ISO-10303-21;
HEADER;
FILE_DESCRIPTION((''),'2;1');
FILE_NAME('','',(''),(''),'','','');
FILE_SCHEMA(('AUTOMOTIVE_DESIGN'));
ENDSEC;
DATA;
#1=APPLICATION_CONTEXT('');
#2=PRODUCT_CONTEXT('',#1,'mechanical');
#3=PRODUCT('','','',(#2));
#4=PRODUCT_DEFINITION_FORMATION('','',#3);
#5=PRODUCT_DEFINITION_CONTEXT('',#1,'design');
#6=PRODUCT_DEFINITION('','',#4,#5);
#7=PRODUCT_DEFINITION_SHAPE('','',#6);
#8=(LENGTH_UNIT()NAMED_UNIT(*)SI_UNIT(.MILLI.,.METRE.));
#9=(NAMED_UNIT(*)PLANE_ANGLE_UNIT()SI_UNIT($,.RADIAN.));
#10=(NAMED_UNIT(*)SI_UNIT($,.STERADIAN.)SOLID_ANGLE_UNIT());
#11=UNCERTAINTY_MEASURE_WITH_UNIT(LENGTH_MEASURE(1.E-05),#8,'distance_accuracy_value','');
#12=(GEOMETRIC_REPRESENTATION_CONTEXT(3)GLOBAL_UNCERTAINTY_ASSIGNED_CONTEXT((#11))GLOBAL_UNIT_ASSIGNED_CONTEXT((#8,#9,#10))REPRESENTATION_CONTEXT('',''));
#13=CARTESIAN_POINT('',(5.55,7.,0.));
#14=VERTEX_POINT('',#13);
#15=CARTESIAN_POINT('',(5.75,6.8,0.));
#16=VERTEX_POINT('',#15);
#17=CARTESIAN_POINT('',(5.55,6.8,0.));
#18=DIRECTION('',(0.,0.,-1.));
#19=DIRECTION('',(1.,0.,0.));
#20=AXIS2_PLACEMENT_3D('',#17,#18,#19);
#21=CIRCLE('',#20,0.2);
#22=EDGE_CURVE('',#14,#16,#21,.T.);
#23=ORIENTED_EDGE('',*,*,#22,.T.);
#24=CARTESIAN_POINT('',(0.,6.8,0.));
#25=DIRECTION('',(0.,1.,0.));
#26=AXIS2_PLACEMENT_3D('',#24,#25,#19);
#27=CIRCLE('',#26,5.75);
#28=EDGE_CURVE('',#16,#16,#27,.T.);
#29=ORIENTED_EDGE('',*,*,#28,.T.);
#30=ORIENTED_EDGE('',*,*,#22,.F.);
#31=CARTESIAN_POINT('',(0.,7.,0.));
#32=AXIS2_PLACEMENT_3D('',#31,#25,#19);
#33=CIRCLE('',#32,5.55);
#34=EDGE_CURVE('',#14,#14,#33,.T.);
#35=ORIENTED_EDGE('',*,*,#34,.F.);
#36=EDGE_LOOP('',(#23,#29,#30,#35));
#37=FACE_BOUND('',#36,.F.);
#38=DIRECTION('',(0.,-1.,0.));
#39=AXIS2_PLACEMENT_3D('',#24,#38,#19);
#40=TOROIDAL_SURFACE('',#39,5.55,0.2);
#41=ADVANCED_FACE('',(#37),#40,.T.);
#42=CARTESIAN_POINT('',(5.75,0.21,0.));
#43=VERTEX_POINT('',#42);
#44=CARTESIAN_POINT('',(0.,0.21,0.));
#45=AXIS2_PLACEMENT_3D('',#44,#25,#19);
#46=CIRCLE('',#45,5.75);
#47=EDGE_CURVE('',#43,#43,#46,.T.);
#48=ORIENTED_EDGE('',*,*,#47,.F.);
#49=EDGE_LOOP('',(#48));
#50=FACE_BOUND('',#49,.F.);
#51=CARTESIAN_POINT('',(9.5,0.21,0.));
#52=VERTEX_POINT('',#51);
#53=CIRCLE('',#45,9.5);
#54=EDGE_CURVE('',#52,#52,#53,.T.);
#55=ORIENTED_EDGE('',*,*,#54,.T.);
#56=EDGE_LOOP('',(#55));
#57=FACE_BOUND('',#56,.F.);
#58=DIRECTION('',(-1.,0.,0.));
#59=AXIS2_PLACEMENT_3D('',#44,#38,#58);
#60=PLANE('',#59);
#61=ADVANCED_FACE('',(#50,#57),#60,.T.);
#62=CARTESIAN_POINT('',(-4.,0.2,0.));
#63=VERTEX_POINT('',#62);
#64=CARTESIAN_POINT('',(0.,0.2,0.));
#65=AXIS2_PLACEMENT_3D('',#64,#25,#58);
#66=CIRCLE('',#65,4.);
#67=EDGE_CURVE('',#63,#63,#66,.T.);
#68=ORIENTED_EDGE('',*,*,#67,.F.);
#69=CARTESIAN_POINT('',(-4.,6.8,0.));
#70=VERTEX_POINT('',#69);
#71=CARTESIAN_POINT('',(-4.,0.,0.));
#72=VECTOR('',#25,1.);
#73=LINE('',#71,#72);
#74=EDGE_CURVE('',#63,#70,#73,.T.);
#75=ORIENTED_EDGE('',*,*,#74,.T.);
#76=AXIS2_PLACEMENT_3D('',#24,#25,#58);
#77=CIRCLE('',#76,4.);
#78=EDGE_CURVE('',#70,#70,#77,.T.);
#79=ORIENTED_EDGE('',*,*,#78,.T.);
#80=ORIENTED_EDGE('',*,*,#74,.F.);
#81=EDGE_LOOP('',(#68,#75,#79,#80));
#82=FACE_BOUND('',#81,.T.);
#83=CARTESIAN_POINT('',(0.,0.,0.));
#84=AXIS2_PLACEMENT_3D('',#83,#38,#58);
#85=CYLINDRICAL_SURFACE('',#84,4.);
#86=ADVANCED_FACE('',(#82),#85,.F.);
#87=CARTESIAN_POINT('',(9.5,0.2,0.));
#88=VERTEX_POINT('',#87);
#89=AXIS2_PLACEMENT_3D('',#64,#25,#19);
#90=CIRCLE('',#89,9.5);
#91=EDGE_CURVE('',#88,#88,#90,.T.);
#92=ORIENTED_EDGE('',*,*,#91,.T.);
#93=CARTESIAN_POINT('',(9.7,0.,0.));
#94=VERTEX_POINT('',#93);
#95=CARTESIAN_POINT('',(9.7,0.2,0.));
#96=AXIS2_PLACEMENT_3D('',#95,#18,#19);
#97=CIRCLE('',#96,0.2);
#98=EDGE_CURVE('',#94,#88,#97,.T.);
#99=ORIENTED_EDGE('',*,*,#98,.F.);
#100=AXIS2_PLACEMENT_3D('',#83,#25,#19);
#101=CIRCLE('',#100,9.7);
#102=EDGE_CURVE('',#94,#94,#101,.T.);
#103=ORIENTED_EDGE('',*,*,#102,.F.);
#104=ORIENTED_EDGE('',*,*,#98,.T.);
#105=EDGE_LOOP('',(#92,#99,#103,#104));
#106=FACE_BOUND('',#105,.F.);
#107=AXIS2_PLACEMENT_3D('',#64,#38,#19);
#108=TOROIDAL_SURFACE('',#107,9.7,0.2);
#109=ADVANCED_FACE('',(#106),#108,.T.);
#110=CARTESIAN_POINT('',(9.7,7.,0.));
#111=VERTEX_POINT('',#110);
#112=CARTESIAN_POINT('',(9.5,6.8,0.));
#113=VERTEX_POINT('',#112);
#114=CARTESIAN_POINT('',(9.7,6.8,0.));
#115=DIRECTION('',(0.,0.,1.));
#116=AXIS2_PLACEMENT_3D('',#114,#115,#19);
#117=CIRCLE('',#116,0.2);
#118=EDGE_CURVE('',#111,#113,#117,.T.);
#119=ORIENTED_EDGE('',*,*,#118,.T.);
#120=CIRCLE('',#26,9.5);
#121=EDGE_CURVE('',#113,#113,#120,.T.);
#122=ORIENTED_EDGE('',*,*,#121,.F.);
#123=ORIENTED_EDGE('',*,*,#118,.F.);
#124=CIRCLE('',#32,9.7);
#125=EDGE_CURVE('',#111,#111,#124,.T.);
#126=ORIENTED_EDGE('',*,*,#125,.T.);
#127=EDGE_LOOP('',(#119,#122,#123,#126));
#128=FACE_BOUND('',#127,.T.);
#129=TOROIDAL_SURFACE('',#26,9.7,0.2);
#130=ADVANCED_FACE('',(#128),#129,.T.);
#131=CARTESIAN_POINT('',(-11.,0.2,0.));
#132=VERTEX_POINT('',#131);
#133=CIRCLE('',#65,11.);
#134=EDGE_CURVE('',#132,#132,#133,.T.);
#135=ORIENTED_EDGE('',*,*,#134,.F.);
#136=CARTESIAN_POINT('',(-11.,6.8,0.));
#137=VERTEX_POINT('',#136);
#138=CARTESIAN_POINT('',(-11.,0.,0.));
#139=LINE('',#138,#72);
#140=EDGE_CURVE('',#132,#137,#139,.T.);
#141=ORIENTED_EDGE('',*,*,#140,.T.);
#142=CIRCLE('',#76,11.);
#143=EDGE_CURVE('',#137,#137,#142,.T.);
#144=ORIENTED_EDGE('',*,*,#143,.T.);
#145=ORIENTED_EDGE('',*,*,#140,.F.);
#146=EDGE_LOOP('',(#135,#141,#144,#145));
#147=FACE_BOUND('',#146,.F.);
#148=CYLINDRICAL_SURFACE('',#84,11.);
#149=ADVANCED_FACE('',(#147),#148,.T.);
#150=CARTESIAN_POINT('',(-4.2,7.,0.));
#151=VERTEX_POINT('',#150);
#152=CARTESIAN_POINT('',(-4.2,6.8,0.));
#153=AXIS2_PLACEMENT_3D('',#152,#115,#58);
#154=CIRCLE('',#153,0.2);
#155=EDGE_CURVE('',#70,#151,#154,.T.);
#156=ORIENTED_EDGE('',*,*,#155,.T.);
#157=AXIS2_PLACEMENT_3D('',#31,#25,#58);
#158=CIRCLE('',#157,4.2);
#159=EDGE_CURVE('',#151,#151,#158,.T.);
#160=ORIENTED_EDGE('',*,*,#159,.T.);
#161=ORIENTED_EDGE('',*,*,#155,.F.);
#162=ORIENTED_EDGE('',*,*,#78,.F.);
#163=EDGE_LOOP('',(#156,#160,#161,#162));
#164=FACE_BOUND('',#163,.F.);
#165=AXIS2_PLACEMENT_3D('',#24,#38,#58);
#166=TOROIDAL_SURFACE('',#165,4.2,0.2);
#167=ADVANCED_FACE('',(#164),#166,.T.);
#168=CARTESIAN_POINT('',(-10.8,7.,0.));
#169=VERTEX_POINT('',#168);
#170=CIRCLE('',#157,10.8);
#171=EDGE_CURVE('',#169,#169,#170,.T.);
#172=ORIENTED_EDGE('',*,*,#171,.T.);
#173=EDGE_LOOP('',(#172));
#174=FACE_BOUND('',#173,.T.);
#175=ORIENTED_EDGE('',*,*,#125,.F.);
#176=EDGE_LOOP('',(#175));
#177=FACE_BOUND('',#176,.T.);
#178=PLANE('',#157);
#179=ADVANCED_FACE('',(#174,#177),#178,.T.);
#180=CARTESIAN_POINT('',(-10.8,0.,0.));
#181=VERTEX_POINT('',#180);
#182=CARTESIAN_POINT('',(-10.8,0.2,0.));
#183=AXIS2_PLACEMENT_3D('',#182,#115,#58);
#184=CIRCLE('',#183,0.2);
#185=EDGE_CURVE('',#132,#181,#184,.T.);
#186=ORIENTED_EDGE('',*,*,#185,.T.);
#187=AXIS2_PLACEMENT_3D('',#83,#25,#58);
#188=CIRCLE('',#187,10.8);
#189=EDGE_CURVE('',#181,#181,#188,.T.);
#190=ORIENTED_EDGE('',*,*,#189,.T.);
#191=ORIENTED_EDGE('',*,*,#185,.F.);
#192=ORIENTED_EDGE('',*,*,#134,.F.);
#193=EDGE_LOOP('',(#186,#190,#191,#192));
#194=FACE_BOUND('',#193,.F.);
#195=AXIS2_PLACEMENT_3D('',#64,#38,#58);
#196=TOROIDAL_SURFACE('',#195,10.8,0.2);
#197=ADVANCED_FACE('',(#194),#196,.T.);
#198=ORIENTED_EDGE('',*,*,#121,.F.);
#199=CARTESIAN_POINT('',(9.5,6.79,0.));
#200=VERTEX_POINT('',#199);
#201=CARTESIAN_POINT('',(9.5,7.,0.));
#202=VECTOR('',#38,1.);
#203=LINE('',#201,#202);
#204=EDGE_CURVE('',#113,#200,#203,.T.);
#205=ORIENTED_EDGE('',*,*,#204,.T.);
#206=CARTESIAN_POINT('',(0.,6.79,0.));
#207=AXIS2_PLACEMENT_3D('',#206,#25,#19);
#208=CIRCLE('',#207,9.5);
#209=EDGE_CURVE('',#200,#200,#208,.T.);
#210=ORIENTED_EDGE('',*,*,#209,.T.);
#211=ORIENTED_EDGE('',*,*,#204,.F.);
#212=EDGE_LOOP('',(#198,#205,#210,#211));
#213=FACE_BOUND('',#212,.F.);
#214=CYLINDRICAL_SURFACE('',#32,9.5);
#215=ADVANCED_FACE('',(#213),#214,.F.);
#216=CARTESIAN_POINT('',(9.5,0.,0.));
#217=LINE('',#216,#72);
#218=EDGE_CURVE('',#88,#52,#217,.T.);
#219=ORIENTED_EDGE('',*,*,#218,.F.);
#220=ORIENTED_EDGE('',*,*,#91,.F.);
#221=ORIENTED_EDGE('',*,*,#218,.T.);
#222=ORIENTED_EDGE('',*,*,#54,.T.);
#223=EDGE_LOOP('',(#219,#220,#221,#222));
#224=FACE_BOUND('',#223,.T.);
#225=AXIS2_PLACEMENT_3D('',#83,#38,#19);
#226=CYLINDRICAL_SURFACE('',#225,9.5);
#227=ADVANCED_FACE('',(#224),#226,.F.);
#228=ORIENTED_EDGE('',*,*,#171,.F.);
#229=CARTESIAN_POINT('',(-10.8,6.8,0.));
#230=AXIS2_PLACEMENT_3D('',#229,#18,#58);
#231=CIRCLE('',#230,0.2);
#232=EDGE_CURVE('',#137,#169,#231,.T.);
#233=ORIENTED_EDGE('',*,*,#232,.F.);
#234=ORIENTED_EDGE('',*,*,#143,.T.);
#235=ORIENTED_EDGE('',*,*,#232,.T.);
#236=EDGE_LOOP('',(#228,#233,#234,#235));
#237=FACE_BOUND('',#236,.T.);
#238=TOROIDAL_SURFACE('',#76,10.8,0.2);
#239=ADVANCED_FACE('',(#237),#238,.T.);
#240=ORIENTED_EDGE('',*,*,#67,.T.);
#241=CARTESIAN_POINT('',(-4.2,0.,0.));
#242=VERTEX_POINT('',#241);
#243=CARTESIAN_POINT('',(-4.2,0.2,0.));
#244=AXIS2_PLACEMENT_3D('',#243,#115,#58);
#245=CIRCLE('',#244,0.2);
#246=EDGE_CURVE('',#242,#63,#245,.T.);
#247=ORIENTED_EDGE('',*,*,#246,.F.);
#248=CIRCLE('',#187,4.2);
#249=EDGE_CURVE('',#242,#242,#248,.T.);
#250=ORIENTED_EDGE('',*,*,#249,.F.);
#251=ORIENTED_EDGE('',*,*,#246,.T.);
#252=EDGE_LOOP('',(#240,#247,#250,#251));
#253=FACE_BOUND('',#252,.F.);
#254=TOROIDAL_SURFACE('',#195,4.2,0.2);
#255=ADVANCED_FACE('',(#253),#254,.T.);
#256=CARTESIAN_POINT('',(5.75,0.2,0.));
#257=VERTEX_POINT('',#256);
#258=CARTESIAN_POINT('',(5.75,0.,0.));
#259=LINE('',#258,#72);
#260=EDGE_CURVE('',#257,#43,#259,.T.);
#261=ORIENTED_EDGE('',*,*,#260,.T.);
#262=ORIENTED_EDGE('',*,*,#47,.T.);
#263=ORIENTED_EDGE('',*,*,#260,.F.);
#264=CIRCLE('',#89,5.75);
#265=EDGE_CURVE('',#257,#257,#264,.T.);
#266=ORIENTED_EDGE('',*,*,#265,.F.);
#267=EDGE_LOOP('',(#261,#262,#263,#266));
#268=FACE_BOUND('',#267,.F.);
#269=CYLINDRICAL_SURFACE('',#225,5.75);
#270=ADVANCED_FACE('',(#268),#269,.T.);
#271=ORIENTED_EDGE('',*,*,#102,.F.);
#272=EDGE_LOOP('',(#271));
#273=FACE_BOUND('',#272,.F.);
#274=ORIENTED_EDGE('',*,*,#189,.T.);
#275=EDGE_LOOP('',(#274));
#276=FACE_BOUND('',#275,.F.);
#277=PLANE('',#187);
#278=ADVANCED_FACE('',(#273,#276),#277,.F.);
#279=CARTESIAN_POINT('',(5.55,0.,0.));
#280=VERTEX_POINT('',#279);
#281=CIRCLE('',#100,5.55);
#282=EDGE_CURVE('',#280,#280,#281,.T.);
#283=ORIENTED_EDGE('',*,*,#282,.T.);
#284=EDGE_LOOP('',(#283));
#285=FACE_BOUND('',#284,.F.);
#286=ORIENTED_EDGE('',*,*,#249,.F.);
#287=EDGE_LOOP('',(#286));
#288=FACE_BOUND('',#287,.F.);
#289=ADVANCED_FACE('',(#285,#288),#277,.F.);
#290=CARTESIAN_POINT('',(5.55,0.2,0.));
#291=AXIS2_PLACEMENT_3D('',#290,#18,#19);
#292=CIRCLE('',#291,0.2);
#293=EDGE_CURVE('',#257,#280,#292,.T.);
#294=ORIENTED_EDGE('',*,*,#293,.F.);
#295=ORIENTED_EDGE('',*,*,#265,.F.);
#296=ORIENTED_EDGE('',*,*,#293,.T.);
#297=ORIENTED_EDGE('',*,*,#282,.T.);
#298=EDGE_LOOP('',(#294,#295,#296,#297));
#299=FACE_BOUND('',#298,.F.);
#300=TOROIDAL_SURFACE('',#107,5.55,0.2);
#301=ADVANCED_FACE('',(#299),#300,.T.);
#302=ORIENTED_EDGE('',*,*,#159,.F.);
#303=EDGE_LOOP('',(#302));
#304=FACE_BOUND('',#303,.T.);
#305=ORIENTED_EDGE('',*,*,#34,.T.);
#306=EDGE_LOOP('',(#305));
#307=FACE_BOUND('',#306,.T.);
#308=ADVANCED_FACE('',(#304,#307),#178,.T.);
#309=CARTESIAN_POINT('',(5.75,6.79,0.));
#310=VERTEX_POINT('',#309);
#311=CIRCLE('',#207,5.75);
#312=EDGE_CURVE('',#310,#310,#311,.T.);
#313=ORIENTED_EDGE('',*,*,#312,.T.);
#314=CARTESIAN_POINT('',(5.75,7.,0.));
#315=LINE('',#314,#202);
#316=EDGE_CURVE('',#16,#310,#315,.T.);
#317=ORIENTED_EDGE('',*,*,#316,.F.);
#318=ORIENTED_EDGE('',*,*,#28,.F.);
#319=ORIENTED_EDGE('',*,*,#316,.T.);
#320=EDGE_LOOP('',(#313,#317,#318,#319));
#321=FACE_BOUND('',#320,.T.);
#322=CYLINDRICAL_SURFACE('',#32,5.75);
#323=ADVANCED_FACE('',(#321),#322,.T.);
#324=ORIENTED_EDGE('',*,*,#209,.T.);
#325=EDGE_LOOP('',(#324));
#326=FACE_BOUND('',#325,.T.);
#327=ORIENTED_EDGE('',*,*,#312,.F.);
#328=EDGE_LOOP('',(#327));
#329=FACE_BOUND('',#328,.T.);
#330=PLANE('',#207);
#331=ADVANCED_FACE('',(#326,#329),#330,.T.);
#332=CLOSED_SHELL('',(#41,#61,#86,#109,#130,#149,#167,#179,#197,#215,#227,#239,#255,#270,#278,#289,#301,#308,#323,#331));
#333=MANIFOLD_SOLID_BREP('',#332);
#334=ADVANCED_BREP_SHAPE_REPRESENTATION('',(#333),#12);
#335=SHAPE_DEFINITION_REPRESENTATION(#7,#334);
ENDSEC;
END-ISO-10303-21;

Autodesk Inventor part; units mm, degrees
ref_plane "YZ Plane" through (0, 0, 0) normal (1, 0, 0) x (0, 1, 0)
ref_plane "XZ Plane" through (0, 0, 0) normal (0, 1, 0) x (-1, 0, 0)
sketch "Sketch1" plane through (0, 0, 0) normal (0, 1, 0) x (-1, 0, 0)
  circle A0 centre (0, 0) radius 4
  circle A1 centre (0, 0) radius 11
  dimension "d0" = 22
  dimension "d1" = 8
extrude "Extrusion1" add sketch "Sketch1" along normal blind 7
sketch "Sketch2" plane through (0, 7, 0) normal (0, 1, 0) x (1, 0, 0)
  circle A0 centre (0, 0) radius 11 projected
  circle A1 centre (0, 0) radius 4 projected
  circle A2 centre (0, 0) radius 5.75
  circle A3 centre (0, 0) radius 9.5
  dimension "d4" = 19
  dimension "d5" = 11.5
extrude "Extrusion2" cut sketch "Sketch2" against normal blind 0.21 contours A3
fillet "Fillet1" radius 0.2 4 edges at (-5.75, 7, 0) (4, 7, 0) (-9.5, 7, 0) (11, 7, 0)
ref_plane "Work Plane1" through (0, 3.5, 0) normal (0, 1, 0) x (1, 0, 0)
mirror "Mirror2" about plane through (0, 3.5, 0) normal (0, 1, 0) of "Extrusion2"
fillet "Fillet2" radius 0.2 4 edges at (-9.5, 0, 0) (11, 0, 0) (-5.75, 0, 0) (4, 0, 0)
properties part number "6082rsBearing" material "Stainless Steel"
